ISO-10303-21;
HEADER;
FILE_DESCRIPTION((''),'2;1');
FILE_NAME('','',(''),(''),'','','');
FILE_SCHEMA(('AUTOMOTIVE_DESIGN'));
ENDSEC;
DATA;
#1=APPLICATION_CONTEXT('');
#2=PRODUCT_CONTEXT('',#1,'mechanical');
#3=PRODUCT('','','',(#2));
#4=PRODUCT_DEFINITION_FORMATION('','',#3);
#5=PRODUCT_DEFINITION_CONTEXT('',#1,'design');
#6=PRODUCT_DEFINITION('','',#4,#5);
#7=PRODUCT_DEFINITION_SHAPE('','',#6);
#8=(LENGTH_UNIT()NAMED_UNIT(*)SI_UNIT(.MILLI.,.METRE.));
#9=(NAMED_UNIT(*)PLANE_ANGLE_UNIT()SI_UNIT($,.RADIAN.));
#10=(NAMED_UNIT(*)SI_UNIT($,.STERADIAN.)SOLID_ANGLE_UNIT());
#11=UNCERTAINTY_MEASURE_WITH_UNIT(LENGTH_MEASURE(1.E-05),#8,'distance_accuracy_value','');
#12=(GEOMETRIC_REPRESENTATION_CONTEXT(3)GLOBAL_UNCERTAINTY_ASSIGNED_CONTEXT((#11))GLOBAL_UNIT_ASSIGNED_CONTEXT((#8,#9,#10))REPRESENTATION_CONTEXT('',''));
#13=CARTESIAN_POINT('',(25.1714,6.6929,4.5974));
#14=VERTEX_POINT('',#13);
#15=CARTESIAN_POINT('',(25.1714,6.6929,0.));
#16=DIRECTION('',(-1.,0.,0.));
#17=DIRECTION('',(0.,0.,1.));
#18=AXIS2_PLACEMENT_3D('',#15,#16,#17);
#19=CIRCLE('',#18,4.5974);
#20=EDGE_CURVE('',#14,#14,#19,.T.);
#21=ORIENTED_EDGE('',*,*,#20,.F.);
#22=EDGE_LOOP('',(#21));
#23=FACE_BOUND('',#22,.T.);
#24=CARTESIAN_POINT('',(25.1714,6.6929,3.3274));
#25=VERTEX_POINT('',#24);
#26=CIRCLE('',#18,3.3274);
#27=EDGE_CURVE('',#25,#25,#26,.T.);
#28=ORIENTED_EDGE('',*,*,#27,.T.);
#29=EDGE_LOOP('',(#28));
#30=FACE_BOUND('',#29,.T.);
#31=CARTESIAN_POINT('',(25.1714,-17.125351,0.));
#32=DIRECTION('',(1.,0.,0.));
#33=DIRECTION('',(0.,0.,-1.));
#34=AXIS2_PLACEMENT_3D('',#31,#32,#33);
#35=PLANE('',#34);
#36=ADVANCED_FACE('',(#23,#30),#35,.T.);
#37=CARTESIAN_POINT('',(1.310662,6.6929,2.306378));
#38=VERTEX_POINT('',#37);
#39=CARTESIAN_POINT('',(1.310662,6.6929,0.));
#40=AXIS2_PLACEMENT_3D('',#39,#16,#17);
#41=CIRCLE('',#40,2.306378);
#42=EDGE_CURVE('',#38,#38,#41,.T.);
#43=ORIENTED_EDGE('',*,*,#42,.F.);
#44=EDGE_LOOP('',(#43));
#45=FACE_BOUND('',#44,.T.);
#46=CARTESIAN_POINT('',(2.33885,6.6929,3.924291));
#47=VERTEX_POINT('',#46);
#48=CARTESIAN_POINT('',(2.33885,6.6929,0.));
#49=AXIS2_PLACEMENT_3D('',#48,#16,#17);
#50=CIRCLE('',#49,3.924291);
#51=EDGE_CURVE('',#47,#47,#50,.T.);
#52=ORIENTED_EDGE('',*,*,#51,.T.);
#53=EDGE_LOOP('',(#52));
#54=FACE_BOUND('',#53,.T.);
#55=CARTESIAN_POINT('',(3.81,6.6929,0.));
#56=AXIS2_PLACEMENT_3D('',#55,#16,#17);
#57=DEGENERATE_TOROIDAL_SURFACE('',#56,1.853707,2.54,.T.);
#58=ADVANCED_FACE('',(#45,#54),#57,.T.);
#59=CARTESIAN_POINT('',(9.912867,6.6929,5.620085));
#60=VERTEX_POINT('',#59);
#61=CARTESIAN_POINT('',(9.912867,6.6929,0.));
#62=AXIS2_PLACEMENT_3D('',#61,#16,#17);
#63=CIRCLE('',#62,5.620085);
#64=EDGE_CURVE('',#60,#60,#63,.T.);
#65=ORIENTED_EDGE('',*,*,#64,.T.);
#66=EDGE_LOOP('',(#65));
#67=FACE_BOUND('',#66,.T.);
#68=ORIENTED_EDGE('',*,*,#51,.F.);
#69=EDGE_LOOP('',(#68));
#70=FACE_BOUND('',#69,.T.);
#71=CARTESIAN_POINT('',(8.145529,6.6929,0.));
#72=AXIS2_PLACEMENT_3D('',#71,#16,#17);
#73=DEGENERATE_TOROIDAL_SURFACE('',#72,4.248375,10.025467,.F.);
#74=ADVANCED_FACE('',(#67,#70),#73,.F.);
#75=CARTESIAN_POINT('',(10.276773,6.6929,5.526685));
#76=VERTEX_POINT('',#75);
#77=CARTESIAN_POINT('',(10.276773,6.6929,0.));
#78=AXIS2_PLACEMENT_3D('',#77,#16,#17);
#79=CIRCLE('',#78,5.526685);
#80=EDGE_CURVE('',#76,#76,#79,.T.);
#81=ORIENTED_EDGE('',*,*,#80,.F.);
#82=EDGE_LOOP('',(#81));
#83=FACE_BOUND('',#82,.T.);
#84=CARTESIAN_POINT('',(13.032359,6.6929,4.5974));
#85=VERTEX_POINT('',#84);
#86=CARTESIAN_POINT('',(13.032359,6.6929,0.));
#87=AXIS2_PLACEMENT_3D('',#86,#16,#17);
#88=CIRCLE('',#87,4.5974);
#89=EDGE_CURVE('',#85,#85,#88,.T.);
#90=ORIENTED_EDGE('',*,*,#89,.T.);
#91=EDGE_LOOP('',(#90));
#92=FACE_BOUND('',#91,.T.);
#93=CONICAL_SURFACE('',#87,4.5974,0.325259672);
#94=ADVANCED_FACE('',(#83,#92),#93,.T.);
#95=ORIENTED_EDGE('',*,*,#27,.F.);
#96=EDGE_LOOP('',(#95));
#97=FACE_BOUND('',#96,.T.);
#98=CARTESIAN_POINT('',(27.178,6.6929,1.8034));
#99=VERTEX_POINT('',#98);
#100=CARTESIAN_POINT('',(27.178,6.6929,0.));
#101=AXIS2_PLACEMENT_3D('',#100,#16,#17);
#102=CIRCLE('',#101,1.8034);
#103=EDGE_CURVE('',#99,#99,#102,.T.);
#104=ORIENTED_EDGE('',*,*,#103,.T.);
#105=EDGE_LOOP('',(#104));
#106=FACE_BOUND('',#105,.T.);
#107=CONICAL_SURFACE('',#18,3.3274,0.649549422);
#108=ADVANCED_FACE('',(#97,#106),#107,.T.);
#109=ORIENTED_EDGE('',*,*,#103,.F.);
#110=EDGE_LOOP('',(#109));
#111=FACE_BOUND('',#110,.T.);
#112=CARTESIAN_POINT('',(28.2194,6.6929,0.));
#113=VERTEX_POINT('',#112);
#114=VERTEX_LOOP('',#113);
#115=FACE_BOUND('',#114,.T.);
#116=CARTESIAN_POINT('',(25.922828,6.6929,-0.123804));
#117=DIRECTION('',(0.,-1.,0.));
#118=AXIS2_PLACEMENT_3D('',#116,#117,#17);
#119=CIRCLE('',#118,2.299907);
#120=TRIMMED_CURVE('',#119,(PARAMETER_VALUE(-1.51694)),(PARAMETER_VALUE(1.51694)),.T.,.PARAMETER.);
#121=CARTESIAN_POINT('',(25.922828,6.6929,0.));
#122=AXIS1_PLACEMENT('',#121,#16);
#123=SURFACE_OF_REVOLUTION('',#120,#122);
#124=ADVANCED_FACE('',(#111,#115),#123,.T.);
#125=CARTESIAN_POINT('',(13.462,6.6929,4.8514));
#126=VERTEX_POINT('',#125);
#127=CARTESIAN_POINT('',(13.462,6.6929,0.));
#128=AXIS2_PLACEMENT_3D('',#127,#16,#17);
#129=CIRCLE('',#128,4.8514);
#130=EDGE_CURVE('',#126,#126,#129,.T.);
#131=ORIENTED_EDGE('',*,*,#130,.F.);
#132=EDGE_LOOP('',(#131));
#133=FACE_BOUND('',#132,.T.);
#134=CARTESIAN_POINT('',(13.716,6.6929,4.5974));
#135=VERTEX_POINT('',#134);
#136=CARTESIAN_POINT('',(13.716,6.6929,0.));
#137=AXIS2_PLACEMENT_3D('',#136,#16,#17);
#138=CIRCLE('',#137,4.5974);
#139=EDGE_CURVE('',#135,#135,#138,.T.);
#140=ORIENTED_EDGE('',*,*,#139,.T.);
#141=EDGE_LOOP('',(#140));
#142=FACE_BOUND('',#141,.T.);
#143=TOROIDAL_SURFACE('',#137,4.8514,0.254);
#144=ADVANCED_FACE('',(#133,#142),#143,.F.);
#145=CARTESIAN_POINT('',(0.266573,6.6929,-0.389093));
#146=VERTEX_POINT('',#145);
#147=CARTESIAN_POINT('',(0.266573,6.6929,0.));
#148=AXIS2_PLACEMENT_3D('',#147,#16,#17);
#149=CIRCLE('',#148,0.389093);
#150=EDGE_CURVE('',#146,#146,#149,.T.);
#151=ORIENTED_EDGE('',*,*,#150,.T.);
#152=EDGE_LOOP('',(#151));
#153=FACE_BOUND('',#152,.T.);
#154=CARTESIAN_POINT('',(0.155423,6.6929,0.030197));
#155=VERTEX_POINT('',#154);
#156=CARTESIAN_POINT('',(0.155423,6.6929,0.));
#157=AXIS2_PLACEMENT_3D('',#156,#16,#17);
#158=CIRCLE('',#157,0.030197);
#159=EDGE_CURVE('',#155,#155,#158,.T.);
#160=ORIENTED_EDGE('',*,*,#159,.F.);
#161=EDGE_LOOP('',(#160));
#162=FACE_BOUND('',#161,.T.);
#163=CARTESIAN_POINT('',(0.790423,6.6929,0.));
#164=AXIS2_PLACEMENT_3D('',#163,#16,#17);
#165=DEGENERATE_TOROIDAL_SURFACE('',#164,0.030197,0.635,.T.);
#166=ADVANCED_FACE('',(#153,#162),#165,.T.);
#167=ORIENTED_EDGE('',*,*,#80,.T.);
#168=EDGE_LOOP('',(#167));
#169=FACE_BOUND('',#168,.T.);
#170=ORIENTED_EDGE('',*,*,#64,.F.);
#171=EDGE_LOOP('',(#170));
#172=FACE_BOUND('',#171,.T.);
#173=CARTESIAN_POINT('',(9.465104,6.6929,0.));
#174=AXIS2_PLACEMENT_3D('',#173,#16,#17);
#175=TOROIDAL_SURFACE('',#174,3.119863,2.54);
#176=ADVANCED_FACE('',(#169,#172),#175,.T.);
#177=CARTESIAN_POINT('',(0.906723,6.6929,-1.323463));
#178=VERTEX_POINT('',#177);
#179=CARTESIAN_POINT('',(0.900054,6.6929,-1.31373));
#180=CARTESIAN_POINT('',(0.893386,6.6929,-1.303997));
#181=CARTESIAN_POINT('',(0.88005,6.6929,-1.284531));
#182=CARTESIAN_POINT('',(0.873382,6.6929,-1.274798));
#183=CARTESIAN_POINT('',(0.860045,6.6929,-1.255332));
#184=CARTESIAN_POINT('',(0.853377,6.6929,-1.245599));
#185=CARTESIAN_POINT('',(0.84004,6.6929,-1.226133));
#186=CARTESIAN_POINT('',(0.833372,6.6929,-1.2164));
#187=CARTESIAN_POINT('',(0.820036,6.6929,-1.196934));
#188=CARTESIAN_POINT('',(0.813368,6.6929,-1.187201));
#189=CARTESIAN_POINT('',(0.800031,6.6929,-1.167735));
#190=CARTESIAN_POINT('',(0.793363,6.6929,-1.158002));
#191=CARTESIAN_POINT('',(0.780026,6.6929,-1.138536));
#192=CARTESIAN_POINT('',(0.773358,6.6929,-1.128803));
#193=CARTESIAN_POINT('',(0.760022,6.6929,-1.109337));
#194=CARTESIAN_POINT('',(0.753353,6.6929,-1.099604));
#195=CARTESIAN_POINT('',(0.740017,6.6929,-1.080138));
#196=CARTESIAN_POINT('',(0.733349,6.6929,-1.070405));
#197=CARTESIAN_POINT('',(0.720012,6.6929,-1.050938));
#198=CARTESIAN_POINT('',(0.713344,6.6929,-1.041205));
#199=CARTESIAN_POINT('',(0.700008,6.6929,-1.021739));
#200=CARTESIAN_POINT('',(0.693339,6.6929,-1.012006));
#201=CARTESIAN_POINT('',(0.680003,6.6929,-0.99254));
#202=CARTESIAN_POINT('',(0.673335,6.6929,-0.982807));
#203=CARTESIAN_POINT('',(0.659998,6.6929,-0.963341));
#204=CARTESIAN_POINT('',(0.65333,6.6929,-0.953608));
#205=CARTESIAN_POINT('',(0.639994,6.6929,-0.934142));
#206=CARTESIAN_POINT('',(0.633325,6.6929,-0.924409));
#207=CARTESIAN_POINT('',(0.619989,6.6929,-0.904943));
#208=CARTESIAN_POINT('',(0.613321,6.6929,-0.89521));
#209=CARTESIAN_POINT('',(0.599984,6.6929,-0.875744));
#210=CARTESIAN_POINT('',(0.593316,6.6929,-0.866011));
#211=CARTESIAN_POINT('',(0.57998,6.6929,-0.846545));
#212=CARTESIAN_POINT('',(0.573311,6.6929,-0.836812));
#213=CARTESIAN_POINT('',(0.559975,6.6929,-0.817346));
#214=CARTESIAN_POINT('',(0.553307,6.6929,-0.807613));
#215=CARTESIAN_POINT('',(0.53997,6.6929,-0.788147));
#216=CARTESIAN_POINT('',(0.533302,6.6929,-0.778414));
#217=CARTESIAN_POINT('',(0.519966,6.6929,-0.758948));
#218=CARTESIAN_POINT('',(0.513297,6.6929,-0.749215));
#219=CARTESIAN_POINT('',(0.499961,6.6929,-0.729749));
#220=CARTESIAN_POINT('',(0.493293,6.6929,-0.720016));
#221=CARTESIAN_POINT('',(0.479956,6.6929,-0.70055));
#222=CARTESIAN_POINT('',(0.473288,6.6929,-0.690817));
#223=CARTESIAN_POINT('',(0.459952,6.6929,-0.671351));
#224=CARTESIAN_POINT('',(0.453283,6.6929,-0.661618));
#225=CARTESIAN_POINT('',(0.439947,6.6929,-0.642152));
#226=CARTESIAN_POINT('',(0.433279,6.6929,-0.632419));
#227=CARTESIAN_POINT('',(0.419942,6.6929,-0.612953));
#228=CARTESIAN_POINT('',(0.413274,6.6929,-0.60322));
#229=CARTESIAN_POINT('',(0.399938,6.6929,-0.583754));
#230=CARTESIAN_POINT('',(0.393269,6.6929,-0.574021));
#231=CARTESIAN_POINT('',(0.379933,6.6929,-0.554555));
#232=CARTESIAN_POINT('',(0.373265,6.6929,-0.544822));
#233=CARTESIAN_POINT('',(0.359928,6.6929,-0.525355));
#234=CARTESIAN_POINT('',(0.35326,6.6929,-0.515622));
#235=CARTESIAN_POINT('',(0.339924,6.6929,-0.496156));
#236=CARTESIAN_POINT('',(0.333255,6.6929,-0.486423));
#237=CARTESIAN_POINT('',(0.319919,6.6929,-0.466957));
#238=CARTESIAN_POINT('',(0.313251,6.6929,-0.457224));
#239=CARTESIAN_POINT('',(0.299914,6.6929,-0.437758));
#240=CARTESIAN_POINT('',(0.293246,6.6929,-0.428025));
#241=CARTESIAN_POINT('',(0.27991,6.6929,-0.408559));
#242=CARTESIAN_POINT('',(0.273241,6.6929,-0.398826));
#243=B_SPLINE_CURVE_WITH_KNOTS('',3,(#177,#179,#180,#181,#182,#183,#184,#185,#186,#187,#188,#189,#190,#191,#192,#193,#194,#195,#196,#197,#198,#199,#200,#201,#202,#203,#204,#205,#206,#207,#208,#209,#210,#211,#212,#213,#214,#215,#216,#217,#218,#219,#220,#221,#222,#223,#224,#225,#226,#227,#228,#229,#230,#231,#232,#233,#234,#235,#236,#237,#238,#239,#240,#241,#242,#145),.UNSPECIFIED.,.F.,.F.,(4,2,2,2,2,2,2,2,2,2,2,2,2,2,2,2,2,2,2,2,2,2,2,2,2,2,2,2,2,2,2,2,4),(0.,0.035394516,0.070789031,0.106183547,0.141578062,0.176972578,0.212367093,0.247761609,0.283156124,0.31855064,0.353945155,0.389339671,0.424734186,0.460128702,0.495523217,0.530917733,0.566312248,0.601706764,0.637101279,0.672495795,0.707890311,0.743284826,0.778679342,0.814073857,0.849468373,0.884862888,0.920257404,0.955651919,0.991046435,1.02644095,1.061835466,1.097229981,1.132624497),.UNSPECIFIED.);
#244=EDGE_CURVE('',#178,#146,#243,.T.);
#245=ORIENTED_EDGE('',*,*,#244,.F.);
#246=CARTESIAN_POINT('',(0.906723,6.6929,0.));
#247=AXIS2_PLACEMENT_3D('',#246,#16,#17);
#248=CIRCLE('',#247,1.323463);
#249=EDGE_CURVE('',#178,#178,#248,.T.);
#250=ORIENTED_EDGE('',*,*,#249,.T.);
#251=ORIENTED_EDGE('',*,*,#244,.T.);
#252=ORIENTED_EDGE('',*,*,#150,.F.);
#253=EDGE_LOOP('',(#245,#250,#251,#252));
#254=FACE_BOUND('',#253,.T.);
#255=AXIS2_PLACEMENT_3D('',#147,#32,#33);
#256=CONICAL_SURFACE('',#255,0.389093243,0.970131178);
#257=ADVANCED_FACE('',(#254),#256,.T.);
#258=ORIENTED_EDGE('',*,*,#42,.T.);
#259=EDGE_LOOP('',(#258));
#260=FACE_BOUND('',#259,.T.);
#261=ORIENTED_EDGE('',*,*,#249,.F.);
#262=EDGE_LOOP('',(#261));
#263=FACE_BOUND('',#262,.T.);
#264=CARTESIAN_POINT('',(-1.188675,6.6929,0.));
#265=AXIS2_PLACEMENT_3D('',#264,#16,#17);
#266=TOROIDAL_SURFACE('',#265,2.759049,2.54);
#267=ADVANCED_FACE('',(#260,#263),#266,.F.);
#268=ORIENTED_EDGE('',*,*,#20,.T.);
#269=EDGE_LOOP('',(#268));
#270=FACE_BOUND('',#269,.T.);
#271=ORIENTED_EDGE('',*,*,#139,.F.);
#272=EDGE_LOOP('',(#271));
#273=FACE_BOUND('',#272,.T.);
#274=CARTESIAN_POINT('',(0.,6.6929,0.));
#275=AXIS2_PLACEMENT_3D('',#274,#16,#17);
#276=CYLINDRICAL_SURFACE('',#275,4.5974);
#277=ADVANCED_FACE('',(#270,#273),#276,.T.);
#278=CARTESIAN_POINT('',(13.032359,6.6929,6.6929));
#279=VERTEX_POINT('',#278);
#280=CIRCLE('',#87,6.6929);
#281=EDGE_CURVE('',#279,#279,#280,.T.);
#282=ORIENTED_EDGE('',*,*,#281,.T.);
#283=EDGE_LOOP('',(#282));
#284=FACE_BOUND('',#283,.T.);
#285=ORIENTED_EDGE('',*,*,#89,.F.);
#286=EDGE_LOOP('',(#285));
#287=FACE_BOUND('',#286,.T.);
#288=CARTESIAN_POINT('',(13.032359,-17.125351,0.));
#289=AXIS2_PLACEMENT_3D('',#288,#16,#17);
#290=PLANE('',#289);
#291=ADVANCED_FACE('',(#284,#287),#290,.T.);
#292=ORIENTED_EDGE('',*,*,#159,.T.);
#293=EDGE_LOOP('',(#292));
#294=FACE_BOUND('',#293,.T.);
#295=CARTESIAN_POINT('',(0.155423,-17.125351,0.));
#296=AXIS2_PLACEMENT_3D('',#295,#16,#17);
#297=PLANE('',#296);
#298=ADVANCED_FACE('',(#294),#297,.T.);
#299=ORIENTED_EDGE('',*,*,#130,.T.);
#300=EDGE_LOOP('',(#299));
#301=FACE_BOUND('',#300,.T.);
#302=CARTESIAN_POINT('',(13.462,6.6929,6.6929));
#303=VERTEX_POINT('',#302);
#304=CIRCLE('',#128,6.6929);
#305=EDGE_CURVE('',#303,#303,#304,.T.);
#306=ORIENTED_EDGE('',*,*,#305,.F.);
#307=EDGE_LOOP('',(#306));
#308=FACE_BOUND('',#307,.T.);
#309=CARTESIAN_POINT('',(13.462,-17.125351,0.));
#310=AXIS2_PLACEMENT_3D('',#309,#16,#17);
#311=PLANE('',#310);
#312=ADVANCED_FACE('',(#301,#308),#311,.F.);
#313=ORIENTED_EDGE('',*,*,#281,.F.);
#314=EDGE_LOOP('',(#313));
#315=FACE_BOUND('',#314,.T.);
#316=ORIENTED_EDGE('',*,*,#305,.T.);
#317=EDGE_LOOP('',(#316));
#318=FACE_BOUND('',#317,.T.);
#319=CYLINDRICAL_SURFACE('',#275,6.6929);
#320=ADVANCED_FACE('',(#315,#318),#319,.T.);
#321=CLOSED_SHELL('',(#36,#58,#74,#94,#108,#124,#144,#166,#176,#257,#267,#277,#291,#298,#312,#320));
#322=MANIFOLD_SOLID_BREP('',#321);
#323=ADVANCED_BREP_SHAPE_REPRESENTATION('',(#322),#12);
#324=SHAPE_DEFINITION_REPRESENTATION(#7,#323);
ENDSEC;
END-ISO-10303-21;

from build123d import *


with BuildPart() as part:
    # Sketch1 → Revolve7 (revolve)
    with BuildSketch(Plane.XY, mode=Mode.PRIVATE) as revolve7_sk:
        with BuildLine():
            Line((10.276772921, 1.166214565), (13.032359095, 2.0955))
            Line((13.032359095, 2.0955), (13.032359095, 0))
            Line((13.032359095, 0), (13.462, 0))
            Line((13.462, 0), (13.462, 1.8415))
            ThreePointArc((13.462, 1.8415), (13.536394878, 2.021105122), (13.716, 2.0955))
            Line((13.716, 2.0955), (25.1714, 2.0955))
            Line((25.1714, 2.0955), (25.1714, 3.3655))
            Line((25.1714, 3.3655), (27.178, 4.8895))
            ThreePointArc((27.178, 4.8895), (27.914506706, 5.666579226), (28.2194, 6.6929))
            Line((28.2194, 6.6929), (1.27, 6.6929))
            Line((1.27, 6.6929), (0.155422631, 6.6929))
            Line((0.155422631, 6.6929), (0.155422631, 6.662703245))
            ThreePointArc((0.155422631, 6.662703245), (0.183846403, 6.474846172), (0.266573119, 6.303806757))
            Line((0.266573119, 6.303806757), (0.906722652, 5.36943701))
            ThreePointArc((0.906722652, 5.36943701), (1.160671231, 4.899340794), (1.310662302, 4.386522101))
            ThreePointArc((1.310662302, 4.386522101), (1.666264155, 3.476843471), (2.338850191, 2.768609109))
            ThreePointArc((2.338850191, 2.768609109), (5.95509585, 1.158024647), (9.912867233, 1.072815189))
            ThreePointArc((9.912867233, 1.072815189), (10.096549324, 1.112777329), (10.276772921, 1.166214565))
        make_face()
    revolve(revolve7_sk.sketch.rotate(Axis((0, 6.6929, 0), (1, 0, 0)), 270), axis=Axis((0, 6.6929, 0), (1, 0, 0)))


solid = part.part
